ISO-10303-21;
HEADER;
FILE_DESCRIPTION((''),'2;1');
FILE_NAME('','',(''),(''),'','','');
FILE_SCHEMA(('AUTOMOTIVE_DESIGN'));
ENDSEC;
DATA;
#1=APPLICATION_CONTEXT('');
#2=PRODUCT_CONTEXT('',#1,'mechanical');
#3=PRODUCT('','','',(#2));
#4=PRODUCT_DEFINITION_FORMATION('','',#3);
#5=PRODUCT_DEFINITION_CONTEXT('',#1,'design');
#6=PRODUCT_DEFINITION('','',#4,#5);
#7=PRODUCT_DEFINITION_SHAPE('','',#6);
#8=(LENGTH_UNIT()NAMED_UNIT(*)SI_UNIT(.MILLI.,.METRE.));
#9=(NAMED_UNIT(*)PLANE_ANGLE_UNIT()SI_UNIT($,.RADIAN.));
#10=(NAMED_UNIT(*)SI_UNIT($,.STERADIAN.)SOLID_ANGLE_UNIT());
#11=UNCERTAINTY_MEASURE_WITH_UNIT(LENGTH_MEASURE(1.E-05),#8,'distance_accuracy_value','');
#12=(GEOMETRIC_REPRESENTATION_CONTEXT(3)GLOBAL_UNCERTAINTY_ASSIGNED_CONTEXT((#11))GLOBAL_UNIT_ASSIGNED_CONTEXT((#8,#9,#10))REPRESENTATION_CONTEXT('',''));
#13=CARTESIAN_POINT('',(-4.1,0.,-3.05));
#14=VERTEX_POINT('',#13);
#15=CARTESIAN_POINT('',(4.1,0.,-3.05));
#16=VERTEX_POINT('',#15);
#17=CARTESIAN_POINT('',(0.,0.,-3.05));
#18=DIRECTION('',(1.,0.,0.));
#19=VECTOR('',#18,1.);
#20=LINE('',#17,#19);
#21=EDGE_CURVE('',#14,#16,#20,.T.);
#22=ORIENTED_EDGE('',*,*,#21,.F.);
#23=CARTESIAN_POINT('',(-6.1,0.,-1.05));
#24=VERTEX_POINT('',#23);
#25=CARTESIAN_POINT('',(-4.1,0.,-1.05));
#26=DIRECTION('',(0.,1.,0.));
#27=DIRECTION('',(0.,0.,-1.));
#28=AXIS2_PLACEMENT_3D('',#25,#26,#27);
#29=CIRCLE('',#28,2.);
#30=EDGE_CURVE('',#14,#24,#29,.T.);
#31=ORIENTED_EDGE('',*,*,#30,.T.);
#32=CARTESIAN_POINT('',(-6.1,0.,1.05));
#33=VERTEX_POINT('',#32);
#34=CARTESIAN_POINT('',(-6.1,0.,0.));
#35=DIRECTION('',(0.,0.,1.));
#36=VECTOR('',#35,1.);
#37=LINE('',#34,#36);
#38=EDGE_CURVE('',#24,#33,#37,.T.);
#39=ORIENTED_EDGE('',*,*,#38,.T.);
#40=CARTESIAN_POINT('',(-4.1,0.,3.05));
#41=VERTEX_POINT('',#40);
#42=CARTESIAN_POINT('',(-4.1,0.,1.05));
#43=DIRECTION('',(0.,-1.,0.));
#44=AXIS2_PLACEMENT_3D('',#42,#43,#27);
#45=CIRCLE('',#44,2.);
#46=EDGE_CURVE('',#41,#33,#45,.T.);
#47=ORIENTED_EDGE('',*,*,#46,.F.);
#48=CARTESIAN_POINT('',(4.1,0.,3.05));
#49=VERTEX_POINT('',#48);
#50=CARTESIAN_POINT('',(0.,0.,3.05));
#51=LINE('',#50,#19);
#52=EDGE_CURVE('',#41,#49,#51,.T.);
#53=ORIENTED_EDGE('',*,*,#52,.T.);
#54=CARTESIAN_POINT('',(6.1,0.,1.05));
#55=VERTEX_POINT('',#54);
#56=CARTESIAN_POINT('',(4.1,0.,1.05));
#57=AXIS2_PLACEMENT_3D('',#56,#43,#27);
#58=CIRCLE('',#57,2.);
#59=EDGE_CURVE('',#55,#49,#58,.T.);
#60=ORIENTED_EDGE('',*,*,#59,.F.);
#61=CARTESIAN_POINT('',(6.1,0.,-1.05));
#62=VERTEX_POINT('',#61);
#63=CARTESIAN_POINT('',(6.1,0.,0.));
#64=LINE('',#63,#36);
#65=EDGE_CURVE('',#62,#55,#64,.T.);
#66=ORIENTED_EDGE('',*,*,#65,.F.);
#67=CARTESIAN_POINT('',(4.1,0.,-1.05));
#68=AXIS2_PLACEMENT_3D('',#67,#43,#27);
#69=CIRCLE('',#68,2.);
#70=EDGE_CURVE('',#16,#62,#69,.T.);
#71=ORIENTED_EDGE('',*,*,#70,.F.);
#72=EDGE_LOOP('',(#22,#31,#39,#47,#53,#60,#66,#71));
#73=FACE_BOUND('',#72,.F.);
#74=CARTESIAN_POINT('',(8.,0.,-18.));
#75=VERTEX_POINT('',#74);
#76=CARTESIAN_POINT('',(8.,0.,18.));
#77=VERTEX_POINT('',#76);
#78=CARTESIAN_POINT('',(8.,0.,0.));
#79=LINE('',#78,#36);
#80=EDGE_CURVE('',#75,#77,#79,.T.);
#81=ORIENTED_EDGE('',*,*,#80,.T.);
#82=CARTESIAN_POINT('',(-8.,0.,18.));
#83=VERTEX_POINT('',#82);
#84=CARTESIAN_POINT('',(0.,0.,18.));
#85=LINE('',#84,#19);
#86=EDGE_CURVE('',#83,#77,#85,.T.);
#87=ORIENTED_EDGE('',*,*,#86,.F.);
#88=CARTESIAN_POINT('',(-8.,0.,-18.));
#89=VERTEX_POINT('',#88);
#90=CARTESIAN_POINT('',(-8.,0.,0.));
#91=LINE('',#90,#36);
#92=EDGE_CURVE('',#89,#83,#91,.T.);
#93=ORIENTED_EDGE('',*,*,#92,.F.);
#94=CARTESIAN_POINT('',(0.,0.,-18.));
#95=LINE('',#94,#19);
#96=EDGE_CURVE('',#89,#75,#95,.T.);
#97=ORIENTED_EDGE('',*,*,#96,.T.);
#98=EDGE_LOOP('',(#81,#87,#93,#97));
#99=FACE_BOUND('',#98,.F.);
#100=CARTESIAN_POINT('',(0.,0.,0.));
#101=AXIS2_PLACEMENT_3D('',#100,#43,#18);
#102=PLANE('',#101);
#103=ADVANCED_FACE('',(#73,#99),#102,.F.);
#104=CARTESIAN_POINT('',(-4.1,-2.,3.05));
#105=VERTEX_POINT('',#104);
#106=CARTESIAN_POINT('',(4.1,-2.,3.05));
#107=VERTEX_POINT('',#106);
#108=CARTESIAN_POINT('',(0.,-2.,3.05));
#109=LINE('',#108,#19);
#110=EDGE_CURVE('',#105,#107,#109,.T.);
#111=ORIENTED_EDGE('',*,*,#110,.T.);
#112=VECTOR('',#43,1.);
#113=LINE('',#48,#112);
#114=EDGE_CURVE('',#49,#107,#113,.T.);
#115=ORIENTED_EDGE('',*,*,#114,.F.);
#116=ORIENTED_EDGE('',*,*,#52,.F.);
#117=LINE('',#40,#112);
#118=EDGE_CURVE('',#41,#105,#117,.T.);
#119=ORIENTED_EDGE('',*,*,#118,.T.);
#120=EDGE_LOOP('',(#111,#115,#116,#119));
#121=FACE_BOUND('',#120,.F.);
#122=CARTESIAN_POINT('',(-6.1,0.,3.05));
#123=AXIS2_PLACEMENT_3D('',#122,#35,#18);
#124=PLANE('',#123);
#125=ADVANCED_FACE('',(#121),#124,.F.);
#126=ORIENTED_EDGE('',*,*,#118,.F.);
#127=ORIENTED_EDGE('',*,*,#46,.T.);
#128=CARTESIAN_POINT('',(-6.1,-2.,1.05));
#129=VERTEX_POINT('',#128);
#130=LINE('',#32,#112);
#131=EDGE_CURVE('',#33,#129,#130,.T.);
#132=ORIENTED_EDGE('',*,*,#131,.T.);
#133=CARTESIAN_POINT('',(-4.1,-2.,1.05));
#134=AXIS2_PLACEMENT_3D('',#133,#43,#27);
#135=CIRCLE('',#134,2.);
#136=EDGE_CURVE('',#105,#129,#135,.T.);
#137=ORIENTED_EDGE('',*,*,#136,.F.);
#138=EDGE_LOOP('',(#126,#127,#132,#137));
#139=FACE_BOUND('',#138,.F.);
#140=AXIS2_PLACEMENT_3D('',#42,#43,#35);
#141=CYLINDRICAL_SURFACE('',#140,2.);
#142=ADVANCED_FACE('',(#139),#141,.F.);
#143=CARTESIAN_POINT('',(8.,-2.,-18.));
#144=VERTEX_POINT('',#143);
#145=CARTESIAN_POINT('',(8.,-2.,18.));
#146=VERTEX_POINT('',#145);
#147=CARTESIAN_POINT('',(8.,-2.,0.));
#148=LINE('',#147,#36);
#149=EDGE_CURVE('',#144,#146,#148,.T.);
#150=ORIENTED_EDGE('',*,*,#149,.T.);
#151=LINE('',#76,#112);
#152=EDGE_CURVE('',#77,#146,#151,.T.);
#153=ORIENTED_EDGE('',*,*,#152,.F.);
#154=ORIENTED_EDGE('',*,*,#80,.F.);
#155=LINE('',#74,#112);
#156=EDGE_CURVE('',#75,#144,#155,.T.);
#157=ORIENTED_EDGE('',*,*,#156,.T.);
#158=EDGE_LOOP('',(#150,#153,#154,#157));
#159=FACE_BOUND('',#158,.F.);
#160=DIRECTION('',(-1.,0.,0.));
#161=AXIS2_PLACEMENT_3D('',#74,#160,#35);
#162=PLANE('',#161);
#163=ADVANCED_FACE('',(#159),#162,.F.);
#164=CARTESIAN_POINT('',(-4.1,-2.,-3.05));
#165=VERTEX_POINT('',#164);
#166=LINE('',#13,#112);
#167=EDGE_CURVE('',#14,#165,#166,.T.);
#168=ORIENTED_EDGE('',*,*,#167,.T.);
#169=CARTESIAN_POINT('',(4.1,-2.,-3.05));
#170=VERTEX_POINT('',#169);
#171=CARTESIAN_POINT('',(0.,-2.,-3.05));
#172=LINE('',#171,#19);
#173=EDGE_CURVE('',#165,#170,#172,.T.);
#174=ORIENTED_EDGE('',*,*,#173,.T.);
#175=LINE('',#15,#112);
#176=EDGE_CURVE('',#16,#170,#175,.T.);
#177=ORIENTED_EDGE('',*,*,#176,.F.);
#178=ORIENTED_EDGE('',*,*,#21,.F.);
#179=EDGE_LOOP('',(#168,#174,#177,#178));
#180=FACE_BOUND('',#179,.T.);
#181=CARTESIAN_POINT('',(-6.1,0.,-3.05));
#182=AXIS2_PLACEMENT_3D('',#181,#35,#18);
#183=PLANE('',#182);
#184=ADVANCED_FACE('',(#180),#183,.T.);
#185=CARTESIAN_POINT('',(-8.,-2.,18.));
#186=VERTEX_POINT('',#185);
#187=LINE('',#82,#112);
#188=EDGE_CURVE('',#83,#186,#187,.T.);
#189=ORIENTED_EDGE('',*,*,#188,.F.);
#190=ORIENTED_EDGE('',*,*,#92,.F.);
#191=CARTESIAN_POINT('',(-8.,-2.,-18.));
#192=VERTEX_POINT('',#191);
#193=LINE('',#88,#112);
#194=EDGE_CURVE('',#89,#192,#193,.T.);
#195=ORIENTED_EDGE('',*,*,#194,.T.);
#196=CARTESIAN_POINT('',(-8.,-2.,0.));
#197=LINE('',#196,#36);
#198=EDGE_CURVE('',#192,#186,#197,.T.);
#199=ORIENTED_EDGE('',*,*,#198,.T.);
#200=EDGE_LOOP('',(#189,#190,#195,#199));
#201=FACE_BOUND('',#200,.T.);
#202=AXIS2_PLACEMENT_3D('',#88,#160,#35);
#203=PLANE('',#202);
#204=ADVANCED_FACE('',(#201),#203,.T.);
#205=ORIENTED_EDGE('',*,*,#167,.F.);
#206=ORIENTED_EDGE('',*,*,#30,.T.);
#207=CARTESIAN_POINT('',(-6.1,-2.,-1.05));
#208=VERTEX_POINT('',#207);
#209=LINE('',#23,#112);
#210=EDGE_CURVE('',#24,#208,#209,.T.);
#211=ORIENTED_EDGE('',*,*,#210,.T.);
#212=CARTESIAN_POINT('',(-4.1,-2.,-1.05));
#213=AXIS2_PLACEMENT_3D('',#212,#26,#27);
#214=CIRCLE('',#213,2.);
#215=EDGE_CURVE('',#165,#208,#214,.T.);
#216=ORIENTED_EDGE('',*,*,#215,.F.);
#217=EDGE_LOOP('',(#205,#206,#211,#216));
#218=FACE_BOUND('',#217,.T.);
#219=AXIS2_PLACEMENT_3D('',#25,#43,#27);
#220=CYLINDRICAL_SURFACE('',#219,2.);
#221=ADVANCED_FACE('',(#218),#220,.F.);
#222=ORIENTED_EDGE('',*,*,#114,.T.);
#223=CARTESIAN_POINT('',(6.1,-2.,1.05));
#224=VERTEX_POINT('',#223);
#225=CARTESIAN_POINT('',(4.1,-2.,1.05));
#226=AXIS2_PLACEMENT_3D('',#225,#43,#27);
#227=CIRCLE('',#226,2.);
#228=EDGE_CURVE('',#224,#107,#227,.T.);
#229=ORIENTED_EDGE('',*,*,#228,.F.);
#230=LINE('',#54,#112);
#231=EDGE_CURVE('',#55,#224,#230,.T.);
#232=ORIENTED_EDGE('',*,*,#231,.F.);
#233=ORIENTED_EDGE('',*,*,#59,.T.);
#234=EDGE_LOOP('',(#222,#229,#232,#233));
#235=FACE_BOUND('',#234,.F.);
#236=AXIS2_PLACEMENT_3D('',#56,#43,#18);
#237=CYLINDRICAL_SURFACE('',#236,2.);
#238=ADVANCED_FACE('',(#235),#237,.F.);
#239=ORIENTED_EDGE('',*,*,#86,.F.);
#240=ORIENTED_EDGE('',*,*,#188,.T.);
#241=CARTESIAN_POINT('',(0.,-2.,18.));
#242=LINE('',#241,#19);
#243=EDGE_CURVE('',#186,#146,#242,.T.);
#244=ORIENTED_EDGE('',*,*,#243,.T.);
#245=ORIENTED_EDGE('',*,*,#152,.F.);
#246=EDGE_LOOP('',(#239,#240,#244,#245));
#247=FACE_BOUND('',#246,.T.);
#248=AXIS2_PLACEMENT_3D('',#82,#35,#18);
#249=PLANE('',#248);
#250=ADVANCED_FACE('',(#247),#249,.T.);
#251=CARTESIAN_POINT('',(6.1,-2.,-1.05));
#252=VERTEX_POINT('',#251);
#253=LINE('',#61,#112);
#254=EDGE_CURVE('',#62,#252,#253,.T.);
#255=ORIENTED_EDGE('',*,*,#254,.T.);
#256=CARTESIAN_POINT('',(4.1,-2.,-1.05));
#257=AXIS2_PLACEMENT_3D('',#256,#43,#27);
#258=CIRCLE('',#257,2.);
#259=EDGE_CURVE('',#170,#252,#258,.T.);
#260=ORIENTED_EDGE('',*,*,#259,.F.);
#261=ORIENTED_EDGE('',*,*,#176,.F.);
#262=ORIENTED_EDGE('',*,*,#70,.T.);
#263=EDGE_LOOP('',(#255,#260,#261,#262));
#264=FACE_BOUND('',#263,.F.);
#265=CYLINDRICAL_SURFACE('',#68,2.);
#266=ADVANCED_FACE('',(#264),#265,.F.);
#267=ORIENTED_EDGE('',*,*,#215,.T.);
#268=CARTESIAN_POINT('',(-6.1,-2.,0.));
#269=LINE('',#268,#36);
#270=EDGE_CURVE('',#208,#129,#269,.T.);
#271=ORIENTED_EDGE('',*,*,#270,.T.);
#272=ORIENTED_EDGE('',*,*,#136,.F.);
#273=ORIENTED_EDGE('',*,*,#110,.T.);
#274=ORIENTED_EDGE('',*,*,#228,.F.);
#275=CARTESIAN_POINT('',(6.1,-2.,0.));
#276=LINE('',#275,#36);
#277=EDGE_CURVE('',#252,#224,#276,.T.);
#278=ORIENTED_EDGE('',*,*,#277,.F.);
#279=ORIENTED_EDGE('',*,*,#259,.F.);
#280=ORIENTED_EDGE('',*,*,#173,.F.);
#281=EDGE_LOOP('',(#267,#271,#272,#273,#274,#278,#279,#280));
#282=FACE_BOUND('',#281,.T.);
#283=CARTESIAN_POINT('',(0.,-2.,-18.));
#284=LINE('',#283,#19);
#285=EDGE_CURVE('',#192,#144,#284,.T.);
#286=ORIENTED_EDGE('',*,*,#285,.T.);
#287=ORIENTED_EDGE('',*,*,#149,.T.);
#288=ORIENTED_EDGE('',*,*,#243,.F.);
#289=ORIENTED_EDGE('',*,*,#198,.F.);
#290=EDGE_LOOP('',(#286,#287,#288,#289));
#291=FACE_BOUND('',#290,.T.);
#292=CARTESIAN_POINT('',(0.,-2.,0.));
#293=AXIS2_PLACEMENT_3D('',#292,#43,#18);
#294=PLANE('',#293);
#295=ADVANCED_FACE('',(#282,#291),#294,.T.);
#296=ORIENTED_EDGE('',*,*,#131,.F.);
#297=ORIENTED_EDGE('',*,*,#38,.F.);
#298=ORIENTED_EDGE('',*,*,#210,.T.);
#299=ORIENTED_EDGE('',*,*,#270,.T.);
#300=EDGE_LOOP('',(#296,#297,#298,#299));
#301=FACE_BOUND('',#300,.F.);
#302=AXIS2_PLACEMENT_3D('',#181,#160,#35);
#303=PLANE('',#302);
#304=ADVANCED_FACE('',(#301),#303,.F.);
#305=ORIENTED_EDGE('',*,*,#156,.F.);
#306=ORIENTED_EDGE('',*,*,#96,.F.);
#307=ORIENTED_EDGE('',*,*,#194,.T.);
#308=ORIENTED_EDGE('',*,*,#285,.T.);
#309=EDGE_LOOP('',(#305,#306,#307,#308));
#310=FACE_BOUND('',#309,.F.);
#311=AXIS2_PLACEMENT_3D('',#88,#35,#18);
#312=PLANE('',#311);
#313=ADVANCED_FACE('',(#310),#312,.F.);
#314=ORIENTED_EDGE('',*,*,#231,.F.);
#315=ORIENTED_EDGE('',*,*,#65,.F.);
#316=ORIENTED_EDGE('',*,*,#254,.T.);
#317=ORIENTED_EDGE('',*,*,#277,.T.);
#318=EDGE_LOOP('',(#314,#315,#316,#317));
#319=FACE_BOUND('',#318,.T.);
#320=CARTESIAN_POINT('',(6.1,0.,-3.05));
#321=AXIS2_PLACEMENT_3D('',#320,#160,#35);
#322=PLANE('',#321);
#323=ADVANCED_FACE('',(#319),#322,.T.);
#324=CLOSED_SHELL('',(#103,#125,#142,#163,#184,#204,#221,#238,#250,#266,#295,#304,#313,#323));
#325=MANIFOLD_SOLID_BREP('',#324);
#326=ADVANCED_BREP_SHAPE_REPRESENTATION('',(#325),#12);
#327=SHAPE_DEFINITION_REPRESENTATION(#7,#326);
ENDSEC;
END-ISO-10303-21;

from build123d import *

# Parameters (mm, degrees)
F0_W     = 16
F0_H     = 36
F0_W_2   = 12.2
F0_H_2   = 6.1
F1_DEPTH = 2
F2_R     = 2


with BuildPart() as f1:
    # F0 (on Front) → F1 (new body)
    with BuildSketch(Plane.XZ):
        Rectangle(F0_W, F0_H)
        Rectangle(F0_W_2, F0_H_2, mode=Mode.SUBTRACT)
    extrude(amount=F1_DEPTH)

    # F2
    f2_edges = [f1.edges().sort_by_distance(p)[0] for p in [
        (-6.1, -1, -3.05),
        (-6.1, -1, 3.05),
        (6.1, -1, 3.05),
        (6.1, -1, -3.05),
    ]]
    fillet(f2_edges, radius=F2_R)


solid = f1.part
